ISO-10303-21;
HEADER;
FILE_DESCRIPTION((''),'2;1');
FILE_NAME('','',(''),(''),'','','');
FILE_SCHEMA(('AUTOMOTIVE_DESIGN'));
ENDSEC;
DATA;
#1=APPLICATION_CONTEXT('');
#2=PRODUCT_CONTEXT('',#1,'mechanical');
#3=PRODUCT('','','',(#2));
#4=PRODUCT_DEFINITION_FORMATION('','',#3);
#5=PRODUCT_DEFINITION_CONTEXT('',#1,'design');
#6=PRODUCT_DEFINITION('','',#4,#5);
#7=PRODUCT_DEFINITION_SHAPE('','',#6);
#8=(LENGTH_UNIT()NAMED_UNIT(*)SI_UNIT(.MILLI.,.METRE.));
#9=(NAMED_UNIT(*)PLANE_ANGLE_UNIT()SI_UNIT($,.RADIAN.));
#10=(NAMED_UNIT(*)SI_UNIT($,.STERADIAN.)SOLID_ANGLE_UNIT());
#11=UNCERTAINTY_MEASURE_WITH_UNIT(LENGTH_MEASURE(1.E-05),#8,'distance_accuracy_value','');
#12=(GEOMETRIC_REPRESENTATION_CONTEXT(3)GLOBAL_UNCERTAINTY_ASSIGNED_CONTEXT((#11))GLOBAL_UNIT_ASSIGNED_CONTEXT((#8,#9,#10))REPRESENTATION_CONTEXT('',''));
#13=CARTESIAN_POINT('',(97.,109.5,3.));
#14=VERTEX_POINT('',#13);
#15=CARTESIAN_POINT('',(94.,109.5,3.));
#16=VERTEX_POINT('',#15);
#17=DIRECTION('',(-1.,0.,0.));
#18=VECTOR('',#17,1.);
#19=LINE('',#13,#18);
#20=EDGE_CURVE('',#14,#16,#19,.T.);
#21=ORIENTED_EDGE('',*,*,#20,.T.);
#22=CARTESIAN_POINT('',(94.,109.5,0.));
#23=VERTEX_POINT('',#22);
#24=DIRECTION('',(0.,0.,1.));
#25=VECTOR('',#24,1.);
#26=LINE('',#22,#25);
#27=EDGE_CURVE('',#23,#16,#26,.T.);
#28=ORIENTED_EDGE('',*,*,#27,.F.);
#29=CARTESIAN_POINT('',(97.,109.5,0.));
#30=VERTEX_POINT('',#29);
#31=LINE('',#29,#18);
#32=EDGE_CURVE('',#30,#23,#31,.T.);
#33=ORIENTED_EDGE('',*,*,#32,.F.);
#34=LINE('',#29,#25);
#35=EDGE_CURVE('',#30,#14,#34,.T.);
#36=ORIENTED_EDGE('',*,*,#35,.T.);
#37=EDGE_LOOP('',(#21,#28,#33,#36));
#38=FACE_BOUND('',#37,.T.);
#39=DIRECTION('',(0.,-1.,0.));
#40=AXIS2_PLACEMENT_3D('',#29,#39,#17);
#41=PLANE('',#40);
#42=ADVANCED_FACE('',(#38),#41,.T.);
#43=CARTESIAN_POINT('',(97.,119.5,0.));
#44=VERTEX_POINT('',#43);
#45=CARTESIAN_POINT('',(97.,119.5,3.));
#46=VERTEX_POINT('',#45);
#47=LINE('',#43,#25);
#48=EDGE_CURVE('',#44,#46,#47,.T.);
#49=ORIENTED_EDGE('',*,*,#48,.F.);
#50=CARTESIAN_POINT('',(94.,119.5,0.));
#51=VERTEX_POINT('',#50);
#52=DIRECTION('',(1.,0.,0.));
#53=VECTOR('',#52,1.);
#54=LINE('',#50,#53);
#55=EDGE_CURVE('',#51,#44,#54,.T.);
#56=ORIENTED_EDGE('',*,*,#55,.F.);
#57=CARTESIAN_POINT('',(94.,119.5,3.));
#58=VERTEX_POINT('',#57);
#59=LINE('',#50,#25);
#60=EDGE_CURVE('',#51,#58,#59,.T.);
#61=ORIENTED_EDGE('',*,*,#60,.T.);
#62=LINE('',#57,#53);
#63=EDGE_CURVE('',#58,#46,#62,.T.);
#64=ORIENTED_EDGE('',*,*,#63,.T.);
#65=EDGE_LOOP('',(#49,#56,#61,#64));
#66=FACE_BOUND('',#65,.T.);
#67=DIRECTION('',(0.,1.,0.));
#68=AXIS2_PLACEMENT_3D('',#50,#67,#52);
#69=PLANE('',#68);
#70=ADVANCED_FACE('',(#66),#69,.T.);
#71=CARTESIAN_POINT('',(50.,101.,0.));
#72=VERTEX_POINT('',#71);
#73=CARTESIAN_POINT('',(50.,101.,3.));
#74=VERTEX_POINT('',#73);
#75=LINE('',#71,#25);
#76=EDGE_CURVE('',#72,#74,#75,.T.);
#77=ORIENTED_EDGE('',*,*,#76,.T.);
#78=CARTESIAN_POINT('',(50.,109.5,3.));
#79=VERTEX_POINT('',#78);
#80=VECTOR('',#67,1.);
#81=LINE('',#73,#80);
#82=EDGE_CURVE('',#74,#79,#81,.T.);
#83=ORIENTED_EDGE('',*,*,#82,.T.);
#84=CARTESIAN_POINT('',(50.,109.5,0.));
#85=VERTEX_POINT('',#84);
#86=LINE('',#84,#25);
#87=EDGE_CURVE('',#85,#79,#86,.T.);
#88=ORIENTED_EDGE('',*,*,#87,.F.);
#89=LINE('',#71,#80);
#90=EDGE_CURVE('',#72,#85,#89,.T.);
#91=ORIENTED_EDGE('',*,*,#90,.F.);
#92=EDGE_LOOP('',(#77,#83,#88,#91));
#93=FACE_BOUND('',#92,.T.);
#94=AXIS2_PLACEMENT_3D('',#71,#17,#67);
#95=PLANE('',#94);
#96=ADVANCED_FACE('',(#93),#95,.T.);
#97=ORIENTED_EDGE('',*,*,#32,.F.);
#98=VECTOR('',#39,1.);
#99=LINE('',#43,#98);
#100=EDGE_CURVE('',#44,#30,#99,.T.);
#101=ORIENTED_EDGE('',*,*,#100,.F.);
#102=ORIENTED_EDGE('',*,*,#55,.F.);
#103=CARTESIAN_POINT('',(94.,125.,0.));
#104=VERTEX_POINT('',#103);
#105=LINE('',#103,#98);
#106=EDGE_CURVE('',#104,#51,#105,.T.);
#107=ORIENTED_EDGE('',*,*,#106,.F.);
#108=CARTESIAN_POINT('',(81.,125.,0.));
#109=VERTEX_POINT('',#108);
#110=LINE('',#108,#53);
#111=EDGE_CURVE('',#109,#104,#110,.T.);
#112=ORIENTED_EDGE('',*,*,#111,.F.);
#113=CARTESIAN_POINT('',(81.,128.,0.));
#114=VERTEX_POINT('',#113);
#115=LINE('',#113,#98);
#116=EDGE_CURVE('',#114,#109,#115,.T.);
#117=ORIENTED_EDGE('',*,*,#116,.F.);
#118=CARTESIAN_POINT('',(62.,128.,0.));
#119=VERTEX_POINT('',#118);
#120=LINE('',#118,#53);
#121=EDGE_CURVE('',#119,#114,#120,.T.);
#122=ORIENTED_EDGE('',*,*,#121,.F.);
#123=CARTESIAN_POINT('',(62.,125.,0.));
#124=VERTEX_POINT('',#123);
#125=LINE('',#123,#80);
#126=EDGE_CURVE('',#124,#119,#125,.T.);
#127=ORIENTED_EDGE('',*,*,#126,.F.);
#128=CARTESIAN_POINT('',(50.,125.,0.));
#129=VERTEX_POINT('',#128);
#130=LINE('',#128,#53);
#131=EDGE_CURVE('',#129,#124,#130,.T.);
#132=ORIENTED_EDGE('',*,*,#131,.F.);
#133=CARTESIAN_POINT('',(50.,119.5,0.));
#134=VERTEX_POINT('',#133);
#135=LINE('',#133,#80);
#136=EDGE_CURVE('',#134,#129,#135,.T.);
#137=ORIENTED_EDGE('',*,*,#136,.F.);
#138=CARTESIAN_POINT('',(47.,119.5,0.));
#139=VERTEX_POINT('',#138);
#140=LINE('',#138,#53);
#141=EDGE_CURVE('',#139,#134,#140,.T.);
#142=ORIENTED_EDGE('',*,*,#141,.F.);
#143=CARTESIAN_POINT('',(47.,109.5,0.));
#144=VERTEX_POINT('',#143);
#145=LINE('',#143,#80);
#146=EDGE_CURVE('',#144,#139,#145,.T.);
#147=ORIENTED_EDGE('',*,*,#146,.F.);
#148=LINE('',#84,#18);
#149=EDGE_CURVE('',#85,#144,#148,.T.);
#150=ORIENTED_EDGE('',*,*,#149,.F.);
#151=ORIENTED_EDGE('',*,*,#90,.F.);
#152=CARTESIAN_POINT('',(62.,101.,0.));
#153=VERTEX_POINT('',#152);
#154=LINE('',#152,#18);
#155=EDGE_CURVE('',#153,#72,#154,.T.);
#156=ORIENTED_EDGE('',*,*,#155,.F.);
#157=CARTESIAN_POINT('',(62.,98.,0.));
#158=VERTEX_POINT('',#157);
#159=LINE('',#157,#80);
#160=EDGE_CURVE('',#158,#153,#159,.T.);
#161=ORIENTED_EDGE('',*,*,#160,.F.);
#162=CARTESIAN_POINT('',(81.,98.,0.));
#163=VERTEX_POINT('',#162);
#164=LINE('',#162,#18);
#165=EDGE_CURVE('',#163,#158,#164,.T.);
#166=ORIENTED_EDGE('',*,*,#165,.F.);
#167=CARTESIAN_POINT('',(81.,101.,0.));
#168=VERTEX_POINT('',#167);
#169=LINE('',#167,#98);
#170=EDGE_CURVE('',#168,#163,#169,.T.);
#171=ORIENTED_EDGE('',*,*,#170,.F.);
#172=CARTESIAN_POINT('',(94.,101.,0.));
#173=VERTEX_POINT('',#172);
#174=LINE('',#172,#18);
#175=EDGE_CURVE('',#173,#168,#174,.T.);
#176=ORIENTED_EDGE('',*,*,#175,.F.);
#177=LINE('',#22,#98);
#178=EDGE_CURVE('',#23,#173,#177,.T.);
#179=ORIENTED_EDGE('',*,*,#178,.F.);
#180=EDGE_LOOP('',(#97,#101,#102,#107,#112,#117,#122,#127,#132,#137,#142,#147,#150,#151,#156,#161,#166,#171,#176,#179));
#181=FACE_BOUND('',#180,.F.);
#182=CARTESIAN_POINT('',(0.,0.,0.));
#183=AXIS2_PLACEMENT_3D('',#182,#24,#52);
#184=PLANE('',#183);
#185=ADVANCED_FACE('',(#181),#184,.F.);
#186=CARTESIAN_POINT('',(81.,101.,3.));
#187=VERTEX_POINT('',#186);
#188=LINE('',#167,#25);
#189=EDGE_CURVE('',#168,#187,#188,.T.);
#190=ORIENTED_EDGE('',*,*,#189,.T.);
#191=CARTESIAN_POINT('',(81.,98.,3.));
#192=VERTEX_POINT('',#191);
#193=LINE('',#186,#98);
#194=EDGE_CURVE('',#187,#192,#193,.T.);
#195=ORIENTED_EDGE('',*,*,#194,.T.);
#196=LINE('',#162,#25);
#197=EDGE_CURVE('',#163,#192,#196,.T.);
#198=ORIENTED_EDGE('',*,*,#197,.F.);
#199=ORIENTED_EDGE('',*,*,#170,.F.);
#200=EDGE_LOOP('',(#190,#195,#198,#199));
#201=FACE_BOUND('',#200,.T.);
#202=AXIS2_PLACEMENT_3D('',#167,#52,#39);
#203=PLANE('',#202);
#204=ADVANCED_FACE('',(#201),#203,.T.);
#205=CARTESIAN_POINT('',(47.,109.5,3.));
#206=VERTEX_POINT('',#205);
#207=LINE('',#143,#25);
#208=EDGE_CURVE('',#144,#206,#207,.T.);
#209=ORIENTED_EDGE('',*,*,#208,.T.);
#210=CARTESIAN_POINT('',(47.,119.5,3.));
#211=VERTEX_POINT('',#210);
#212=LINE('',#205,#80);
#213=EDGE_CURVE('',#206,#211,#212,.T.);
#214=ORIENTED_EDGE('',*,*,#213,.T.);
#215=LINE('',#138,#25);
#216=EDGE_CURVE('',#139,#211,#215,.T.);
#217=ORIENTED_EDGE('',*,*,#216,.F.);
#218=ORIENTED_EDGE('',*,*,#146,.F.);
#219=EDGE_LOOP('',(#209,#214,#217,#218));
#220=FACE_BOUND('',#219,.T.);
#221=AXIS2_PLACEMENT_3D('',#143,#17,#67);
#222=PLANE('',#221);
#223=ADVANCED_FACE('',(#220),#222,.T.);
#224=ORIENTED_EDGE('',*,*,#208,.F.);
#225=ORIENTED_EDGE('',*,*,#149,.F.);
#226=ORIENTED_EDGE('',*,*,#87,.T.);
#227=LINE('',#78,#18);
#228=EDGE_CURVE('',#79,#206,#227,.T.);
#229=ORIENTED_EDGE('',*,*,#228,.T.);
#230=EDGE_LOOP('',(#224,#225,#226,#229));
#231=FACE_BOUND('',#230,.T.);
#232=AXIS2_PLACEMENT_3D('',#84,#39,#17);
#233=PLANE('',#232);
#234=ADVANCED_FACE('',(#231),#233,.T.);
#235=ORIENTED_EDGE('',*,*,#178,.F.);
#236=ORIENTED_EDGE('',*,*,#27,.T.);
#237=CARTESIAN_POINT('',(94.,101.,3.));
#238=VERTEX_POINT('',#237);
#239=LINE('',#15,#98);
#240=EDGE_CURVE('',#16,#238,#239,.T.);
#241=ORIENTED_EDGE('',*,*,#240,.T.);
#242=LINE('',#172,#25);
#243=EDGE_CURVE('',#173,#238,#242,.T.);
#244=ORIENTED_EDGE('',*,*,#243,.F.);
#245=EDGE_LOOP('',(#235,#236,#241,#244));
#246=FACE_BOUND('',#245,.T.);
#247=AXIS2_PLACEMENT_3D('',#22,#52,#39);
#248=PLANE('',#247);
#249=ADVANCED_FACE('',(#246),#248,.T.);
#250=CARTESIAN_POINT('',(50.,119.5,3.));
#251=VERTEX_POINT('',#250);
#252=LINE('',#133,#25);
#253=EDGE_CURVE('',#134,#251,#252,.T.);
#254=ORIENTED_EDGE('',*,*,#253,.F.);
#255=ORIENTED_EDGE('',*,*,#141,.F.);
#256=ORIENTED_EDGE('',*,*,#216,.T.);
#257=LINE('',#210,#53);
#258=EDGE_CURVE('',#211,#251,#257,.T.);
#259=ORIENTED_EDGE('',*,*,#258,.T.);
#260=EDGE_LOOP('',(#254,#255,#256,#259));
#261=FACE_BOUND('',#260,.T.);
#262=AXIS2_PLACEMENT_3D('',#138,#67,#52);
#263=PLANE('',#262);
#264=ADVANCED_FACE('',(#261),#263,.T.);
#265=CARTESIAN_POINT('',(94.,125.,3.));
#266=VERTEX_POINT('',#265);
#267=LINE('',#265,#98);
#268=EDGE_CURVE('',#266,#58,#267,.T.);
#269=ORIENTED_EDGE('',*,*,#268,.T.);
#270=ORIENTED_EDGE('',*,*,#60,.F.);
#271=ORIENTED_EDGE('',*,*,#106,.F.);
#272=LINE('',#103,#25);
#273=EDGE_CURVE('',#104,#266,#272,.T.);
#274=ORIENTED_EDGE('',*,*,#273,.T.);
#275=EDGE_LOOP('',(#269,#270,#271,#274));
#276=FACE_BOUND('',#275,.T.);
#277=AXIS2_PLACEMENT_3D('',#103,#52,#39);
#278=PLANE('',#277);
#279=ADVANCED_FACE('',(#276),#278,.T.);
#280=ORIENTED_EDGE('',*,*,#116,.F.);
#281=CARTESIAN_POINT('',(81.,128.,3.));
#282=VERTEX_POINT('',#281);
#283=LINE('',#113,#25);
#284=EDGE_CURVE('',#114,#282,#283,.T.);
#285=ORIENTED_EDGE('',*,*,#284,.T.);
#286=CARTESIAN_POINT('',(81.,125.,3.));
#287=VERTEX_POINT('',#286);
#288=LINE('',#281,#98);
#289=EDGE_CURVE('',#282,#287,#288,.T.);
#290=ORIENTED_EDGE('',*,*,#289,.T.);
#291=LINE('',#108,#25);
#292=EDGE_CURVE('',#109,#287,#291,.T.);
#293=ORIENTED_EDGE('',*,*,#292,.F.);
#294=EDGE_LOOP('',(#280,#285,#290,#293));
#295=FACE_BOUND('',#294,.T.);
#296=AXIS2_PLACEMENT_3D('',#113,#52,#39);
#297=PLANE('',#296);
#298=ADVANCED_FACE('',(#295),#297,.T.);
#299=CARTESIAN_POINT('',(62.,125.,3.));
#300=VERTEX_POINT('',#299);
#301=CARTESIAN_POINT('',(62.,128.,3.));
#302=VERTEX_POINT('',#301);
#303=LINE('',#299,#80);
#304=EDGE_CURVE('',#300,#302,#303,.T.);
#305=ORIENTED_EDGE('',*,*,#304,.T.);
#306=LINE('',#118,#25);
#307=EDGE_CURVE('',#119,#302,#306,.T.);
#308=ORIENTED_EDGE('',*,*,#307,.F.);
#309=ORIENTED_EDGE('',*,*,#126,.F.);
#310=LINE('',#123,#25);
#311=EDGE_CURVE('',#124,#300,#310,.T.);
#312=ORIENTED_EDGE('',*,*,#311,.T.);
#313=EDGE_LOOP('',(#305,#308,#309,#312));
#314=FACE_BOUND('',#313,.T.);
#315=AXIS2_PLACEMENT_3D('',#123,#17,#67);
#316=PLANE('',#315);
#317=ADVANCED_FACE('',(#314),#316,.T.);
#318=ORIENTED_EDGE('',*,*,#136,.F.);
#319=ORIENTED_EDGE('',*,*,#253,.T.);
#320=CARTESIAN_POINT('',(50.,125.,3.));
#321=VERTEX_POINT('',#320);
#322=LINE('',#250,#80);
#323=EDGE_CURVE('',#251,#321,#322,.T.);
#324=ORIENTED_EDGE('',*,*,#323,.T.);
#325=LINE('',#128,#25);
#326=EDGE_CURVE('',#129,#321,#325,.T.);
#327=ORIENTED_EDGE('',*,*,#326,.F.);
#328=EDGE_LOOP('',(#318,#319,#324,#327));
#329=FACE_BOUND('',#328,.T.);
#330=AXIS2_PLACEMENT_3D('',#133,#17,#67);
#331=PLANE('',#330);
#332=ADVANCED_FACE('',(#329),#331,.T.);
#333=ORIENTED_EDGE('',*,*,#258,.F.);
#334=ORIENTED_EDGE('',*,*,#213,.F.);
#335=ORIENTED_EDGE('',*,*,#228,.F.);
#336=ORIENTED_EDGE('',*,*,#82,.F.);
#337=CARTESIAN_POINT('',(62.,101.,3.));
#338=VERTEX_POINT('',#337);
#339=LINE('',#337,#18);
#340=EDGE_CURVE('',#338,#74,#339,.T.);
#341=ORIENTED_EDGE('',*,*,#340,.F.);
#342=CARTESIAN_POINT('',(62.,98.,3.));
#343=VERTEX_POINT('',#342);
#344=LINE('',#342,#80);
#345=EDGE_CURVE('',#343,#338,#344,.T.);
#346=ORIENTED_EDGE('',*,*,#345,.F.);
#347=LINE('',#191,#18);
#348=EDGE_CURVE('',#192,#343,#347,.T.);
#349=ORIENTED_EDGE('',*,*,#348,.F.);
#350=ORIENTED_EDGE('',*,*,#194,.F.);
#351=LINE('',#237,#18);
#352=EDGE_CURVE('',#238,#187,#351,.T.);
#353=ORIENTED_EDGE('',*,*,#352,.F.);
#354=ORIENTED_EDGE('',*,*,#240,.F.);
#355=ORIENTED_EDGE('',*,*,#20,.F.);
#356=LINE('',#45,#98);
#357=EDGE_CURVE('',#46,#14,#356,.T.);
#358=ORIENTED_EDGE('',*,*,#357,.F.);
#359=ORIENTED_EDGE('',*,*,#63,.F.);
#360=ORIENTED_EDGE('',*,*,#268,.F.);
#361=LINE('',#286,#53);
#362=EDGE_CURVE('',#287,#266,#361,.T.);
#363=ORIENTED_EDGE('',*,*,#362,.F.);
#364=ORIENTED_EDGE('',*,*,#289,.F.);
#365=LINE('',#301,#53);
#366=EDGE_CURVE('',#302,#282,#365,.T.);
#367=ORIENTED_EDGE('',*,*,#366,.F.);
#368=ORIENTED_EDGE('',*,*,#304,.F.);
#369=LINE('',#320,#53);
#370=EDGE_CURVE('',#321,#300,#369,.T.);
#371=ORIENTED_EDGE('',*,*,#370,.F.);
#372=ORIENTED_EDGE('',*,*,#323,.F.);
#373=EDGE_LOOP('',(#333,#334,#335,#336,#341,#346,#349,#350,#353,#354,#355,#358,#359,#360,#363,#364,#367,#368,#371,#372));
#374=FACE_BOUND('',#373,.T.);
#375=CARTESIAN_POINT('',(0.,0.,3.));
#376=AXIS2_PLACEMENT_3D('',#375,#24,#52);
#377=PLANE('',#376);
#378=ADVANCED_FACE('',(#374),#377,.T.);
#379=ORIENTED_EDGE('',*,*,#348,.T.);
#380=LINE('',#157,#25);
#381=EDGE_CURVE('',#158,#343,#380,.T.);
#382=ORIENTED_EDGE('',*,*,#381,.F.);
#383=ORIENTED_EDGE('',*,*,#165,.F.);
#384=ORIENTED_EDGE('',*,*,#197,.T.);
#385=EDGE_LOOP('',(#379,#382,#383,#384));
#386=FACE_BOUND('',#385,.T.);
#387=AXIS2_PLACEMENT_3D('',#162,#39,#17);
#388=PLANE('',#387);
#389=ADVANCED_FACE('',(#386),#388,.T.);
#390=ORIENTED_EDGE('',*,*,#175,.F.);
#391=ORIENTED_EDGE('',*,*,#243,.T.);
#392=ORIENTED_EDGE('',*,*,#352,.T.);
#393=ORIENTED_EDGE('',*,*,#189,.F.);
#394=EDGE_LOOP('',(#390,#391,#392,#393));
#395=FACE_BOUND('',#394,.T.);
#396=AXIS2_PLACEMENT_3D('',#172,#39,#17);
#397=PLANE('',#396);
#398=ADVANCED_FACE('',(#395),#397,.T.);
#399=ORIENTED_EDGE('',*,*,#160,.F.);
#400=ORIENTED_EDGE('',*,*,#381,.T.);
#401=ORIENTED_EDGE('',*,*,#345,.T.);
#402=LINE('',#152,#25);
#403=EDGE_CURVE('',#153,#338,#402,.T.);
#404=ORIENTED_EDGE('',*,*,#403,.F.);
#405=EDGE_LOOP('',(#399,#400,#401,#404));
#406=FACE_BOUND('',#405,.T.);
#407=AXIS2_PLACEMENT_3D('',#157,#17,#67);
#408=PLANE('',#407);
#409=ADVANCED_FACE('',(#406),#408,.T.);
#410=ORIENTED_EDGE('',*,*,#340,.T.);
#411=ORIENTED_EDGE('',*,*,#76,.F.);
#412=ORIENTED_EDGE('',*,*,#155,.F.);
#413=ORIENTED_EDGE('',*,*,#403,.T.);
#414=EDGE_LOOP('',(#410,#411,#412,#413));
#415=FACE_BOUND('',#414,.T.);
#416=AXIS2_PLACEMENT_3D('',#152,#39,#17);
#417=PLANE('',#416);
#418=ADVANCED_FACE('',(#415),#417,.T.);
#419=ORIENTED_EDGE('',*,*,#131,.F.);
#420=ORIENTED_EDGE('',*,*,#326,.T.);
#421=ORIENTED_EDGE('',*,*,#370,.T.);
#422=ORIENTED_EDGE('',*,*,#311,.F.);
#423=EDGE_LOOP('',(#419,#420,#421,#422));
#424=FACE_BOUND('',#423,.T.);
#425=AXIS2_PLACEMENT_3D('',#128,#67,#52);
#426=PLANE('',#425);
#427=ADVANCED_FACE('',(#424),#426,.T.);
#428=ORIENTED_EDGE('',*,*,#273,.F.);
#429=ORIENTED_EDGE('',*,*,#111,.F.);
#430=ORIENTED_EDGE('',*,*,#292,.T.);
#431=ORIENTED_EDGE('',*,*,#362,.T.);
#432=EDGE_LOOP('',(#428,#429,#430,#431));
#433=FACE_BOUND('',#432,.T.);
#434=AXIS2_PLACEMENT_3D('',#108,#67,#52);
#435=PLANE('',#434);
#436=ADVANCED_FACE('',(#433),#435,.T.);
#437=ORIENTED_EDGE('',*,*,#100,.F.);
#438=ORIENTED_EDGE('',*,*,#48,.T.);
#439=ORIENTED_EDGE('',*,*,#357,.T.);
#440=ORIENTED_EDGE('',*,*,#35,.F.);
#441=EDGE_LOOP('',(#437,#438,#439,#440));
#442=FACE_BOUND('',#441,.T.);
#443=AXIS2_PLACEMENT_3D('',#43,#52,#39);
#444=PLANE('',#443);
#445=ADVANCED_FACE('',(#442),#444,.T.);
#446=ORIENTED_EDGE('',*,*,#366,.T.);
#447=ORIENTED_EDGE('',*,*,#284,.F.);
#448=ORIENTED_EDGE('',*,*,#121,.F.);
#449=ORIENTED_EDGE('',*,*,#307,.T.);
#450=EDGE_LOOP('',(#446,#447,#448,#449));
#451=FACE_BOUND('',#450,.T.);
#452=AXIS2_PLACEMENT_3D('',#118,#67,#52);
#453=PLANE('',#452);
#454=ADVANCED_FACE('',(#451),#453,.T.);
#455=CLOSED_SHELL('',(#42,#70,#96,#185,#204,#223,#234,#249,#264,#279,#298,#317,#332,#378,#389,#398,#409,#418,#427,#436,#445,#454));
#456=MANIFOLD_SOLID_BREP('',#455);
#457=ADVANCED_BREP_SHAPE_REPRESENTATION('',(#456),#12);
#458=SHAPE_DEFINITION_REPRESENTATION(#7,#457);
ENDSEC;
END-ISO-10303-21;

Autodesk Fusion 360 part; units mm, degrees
sketch "Sketch1" plane through (0, 0, 0) normal (0, 0, 1) x (1, 0, 0)
  line L0 (50, 125) -> (62, 125)
  line L1 (62, 125) -> (62, 128)
  line L2 (62, 128) -> (81, 128)
  line L3 (81, 128) -> (81, 125)
  line L4 (81, 125) -> (94, 125)
  line L5 (94, 125) -> (94, 119.5)
  line L6 (94, 119.5) -> (97, 119.5)
  line L7 (97, 119.5) -> (97, 109.5)
  line L8 (97, 109.5) -> (94, 109.5)
  line L9 (94, 109.5) -> (94, 101)
  line L10 (94, 101) -> (81, 101)
  line L11 (81, 101) -> (81, 98)
  line L12 (81, 98) -> (62, 98)
  line L13 (62, 98) -> (62, 101)
  line L14 (62, 101) -> (50, 101)
  line L15 (50, 101) -> (50, 109.5)
  line L16 (50, 109.5) -> (47, 109.5)
  line L17 (47, 109.5) -> (47, 119.5)
  line L18 (47, 119.5) -> (50, 119.5)
  line L19 (50, 119.5) -> (50, 125)
  dimension "d1" = 12
  dimension "d2" = 3
  dimension "d3" = 19
  dimension "d4" = 3
  dimension "d5" = 13
  dimension "d6" = 5.5
  dimension "d7" = 3
  dimension "d8" = 10
  dimension "d9" = 3
  dimension "d10" = 8.5
  dimension "d11" = 13
  dimension "d12" = 3
  dimension "d13" = 19
  dimension "d14" = 3
  dimension "d15" = 12
  dimension "d16" = 8.5
  dimension "d17" = 3
  dimension "d18" = 10
  dimension "d19" = 3
extrude "Extrude1" add sketch "Sketch1" along normal blind 3
